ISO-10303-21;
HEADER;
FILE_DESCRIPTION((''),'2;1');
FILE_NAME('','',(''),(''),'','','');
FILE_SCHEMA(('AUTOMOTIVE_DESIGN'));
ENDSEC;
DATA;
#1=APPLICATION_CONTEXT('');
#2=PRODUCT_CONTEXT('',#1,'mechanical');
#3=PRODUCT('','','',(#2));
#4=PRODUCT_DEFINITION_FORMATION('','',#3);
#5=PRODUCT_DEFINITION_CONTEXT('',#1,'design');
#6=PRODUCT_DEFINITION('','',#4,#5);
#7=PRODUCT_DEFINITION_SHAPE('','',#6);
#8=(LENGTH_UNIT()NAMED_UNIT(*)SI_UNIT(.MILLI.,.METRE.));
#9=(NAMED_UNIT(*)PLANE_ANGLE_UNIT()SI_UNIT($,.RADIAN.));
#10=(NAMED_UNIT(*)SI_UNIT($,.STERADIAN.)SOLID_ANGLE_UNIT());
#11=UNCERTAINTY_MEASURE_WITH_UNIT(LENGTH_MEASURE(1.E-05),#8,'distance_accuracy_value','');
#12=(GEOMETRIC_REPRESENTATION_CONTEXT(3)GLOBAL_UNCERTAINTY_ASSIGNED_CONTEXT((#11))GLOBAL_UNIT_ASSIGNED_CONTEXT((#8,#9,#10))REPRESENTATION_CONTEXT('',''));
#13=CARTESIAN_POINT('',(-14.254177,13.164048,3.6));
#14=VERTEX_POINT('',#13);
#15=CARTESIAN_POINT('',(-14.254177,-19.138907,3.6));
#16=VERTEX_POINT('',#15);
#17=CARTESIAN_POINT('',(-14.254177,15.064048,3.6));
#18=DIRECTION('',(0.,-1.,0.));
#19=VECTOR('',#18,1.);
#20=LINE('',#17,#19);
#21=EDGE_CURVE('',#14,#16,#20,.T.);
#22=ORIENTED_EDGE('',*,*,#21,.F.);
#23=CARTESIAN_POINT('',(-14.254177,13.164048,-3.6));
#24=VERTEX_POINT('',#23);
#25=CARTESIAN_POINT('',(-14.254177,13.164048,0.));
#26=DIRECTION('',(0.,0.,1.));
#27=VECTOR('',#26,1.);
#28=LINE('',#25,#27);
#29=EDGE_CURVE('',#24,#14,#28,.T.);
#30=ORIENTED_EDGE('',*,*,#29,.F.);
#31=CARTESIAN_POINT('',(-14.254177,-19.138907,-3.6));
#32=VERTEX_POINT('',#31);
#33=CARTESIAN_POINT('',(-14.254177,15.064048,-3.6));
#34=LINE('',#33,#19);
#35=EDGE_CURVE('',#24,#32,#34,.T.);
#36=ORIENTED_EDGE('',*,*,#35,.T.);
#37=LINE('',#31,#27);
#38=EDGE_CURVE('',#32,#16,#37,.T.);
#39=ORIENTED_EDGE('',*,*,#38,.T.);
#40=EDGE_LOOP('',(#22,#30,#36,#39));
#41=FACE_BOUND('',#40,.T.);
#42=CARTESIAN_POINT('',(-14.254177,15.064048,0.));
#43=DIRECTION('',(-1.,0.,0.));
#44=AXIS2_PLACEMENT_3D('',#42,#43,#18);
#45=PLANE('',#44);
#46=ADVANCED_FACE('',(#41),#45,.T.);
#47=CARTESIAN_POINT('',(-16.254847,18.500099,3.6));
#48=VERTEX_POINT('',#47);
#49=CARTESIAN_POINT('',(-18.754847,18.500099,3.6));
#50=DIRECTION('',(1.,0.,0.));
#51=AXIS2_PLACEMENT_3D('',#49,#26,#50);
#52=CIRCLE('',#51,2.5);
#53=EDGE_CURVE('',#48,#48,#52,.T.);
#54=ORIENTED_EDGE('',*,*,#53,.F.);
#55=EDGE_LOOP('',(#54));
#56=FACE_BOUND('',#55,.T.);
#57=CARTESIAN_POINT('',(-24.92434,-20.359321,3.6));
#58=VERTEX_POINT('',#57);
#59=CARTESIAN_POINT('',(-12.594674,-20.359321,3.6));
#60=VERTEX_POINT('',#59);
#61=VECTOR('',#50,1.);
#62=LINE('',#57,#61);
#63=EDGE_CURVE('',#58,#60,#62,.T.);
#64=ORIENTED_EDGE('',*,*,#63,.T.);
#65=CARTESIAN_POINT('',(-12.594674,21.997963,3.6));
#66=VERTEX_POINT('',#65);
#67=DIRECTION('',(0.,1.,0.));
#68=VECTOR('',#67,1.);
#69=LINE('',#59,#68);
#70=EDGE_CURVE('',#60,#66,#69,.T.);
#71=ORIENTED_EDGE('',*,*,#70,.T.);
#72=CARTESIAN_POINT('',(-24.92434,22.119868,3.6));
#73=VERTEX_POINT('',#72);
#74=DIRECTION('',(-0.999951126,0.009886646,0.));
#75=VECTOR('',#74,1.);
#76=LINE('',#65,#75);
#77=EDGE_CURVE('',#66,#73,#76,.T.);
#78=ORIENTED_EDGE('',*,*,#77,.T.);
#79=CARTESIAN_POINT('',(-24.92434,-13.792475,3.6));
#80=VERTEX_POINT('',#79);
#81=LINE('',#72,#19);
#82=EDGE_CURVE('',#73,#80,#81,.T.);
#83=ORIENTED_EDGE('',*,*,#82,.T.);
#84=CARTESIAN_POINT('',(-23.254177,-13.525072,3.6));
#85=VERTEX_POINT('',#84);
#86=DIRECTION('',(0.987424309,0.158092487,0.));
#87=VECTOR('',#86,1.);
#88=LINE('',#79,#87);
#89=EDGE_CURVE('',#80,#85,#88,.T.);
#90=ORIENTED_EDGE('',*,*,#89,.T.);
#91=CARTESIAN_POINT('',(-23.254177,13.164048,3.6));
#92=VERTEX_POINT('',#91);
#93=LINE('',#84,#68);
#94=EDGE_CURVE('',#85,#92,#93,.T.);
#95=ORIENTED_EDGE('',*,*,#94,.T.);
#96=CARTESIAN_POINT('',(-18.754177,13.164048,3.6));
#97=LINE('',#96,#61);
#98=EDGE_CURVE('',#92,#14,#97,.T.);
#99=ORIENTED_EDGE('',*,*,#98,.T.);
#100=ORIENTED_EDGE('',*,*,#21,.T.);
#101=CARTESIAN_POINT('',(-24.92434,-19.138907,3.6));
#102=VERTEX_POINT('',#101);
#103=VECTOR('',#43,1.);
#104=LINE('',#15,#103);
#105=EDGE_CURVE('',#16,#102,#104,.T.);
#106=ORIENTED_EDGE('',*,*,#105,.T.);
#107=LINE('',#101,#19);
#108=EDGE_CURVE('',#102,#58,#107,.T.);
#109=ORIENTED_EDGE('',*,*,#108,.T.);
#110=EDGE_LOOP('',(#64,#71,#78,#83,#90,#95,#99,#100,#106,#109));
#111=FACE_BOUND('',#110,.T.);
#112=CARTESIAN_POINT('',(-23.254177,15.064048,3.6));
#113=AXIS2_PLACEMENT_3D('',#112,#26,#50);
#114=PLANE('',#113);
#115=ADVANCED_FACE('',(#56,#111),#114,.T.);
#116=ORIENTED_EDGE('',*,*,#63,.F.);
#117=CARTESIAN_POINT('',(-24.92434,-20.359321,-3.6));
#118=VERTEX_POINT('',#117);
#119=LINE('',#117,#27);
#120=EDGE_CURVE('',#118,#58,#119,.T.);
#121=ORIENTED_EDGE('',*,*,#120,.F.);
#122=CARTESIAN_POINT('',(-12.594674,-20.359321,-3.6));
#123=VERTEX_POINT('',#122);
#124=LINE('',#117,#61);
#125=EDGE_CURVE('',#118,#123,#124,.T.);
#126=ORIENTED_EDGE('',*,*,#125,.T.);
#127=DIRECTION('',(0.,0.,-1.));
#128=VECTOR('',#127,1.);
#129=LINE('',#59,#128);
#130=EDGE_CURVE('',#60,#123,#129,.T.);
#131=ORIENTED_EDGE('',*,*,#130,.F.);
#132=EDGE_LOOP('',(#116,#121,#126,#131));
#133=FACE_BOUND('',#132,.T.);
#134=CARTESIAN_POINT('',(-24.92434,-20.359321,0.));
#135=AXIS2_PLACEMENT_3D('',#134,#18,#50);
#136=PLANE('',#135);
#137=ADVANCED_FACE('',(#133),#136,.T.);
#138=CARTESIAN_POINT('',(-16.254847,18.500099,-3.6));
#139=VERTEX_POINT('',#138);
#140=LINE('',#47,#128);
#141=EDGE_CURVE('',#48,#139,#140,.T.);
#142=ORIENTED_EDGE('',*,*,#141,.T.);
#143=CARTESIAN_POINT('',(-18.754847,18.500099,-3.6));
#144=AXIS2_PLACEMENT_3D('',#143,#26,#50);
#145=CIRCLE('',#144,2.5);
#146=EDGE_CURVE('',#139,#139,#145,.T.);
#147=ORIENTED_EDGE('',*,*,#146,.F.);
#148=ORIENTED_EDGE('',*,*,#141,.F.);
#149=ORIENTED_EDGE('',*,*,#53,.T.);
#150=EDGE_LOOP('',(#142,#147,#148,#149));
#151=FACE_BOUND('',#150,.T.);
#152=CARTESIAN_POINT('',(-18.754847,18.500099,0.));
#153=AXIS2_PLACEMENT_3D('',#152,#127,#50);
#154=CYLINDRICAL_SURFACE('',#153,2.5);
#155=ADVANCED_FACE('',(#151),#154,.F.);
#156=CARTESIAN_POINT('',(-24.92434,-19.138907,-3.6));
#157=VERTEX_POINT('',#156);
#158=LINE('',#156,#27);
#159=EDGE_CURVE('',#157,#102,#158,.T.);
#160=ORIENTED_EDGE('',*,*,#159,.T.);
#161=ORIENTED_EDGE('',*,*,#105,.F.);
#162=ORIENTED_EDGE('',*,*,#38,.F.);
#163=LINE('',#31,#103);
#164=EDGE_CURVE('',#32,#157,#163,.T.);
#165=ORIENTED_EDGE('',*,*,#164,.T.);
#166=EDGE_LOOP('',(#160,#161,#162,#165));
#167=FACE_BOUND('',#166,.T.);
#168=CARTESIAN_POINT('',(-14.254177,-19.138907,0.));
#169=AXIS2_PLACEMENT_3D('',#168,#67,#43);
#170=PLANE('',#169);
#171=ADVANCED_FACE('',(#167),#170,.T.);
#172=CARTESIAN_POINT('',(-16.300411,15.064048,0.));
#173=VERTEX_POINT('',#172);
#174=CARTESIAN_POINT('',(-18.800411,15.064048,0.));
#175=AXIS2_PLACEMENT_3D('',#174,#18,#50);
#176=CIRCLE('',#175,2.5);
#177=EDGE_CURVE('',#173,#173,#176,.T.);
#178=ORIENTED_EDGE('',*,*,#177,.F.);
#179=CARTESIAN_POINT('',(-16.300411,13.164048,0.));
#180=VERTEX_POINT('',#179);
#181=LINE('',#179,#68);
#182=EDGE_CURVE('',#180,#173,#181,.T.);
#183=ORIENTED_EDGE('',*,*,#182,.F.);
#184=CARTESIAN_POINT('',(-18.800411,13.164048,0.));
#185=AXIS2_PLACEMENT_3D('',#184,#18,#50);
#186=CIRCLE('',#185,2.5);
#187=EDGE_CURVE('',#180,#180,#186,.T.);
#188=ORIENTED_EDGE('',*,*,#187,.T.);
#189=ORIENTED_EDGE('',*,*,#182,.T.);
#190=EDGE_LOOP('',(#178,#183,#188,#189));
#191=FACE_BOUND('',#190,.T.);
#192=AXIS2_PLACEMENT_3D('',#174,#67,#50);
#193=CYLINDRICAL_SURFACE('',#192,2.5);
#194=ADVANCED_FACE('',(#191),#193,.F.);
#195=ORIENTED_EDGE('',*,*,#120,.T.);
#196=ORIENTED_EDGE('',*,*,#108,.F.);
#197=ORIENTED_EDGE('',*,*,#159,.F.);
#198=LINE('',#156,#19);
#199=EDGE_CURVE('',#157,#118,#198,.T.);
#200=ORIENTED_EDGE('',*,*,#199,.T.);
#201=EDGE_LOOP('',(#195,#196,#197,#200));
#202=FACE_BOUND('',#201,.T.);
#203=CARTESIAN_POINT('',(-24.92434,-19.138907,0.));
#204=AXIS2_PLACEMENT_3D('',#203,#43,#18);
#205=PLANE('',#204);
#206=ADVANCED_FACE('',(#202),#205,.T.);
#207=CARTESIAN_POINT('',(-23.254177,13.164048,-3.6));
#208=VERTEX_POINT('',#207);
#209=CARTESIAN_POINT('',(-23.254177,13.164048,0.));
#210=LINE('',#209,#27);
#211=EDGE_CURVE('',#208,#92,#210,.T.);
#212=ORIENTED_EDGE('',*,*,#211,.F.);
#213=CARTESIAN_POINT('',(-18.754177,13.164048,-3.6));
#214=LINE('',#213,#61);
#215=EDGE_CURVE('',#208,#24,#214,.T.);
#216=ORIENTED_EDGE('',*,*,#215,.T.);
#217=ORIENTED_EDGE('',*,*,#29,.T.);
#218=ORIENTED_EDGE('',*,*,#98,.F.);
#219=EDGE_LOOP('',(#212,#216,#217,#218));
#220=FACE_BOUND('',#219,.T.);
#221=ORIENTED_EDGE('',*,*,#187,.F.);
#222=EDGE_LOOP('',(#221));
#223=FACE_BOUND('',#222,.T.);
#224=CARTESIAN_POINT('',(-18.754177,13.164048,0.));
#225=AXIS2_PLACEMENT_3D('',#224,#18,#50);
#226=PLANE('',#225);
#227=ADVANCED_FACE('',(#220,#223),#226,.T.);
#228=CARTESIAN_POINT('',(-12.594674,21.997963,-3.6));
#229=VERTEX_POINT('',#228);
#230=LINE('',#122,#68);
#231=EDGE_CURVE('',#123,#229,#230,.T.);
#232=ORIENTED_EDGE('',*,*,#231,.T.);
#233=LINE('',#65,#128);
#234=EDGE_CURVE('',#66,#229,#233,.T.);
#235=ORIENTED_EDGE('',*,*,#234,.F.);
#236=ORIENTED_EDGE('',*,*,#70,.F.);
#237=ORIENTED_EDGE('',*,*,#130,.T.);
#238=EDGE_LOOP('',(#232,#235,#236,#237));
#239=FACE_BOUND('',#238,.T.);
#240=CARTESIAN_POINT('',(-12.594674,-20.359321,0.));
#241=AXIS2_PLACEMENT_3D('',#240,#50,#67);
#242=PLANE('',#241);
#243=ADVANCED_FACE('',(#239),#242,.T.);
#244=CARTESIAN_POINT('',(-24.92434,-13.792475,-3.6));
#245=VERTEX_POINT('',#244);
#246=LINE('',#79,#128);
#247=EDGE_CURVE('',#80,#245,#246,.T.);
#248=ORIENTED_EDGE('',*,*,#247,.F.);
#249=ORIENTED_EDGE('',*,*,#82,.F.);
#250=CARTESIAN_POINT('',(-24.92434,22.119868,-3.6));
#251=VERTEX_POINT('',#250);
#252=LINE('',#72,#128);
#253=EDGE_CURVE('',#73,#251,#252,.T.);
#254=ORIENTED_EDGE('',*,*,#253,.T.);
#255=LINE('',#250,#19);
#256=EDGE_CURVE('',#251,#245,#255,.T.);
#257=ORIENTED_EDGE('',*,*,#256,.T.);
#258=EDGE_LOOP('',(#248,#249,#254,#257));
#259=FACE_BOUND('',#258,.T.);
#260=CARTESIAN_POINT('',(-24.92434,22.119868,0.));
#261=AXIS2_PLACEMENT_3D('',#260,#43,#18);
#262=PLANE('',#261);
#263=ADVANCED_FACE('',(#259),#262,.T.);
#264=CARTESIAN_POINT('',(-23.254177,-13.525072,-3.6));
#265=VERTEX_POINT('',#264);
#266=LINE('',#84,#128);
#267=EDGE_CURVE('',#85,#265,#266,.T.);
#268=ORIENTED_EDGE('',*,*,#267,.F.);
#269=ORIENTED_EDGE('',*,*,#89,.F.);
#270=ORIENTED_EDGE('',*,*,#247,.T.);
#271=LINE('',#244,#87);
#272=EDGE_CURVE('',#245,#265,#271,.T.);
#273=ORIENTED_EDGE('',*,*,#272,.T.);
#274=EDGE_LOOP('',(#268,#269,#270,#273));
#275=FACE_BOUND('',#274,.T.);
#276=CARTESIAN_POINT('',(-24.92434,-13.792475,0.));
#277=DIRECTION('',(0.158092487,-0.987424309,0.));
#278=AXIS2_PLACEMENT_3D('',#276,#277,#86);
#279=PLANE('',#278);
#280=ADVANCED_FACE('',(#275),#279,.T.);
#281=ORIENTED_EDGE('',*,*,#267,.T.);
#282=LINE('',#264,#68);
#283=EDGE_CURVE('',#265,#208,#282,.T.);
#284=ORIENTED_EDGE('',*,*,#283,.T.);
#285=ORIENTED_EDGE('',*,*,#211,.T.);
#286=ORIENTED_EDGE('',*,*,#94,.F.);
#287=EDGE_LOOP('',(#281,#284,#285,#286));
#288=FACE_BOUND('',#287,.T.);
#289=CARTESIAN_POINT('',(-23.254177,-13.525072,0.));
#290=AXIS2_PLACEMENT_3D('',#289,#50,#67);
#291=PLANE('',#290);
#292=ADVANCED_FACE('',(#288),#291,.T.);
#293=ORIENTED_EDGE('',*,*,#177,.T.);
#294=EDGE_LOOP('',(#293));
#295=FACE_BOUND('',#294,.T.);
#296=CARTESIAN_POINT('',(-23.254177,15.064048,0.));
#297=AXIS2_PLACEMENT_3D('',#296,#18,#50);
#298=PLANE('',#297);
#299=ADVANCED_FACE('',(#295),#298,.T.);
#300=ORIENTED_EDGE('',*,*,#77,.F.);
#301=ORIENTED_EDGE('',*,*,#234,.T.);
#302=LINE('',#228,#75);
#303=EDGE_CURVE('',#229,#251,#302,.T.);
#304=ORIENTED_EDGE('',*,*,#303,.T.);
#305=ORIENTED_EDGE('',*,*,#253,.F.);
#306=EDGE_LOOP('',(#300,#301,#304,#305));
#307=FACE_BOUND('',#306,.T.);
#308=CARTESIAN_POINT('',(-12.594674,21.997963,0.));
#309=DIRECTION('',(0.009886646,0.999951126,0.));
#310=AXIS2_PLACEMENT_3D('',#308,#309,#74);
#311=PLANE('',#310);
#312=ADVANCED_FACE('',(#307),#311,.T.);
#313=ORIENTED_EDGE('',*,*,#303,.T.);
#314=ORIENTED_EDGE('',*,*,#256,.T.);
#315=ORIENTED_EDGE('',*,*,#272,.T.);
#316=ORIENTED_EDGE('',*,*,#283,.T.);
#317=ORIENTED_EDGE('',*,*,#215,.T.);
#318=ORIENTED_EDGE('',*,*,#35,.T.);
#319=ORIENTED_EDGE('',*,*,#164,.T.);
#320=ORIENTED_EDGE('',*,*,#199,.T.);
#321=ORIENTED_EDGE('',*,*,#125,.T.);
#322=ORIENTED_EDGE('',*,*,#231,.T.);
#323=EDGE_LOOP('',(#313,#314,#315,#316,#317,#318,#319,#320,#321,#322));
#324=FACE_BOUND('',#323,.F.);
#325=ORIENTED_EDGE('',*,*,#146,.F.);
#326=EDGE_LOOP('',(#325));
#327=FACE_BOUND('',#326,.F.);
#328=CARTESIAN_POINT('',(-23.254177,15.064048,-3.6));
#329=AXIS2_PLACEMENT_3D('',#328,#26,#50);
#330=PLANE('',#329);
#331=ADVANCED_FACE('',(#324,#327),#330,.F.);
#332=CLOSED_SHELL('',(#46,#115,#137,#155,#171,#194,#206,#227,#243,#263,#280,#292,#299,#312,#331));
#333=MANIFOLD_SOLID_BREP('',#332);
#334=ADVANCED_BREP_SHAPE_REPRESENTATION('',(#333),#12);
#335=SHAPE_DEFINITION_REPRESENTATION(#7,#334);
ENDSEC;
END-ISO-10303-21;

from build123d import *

# Parameters (mm, degrees)
F0_R     = 2.5
F1_DEPTH = 3.6
F2_W     = 9
F2_H     = 7.2
F2_R     = 2.5
F3_DEPTH = 0.8
F4_DEPTH = 1.9


with BuildPart() as f1:
    # F0 (on Top) → F1 (new body, symmetric)
    with BuildSketch(Plane.XY):
        Polygon((-23.254177, -13.525072), (-23.254177, 15.064048), (-14.254177, 15.064048), (-14.254177, -19.138907), (-24.92434, -19.138907), (-24.92434, -20.359321), (-12.594674, -20.359321), (-12.594674, 21.997963), (-24.92434, 22.119868), (-24.92434, -13.792475), align=None)
        with Locations((-18.754847, 18.500099)):
            Circle(F0_R, mode=Mode.SUBTRACT)
    extrude(amount=F1_DEPTH, both=True)

    # F2 (on face) → F3 (join)
    with BuildSketch(Plane.XZ.offset(-15.064048)):
        with Locations((-18.754177, 0)):
            Rectangle(F2_W, F2_H)
        with Locations((-18.800411, 0)):
            Circle(F2_R, mode=Mode.SUBTRACT)
    extrude(amount=F3_DEPTH)

    # F2 (on face) → F4 (join)
    with BuildSketch(Plane.XZ.offset(-15.064048)):
        with Locations((-18.754177, 0)):
            Rectangle(F2_W, F2_H)
        with Locations((-18.800411, 0)):
            Circle(F2_R, mode=Mode.SUBTRACT)
    extrude(amount=F4_DEPTH)


solid = f1.part
